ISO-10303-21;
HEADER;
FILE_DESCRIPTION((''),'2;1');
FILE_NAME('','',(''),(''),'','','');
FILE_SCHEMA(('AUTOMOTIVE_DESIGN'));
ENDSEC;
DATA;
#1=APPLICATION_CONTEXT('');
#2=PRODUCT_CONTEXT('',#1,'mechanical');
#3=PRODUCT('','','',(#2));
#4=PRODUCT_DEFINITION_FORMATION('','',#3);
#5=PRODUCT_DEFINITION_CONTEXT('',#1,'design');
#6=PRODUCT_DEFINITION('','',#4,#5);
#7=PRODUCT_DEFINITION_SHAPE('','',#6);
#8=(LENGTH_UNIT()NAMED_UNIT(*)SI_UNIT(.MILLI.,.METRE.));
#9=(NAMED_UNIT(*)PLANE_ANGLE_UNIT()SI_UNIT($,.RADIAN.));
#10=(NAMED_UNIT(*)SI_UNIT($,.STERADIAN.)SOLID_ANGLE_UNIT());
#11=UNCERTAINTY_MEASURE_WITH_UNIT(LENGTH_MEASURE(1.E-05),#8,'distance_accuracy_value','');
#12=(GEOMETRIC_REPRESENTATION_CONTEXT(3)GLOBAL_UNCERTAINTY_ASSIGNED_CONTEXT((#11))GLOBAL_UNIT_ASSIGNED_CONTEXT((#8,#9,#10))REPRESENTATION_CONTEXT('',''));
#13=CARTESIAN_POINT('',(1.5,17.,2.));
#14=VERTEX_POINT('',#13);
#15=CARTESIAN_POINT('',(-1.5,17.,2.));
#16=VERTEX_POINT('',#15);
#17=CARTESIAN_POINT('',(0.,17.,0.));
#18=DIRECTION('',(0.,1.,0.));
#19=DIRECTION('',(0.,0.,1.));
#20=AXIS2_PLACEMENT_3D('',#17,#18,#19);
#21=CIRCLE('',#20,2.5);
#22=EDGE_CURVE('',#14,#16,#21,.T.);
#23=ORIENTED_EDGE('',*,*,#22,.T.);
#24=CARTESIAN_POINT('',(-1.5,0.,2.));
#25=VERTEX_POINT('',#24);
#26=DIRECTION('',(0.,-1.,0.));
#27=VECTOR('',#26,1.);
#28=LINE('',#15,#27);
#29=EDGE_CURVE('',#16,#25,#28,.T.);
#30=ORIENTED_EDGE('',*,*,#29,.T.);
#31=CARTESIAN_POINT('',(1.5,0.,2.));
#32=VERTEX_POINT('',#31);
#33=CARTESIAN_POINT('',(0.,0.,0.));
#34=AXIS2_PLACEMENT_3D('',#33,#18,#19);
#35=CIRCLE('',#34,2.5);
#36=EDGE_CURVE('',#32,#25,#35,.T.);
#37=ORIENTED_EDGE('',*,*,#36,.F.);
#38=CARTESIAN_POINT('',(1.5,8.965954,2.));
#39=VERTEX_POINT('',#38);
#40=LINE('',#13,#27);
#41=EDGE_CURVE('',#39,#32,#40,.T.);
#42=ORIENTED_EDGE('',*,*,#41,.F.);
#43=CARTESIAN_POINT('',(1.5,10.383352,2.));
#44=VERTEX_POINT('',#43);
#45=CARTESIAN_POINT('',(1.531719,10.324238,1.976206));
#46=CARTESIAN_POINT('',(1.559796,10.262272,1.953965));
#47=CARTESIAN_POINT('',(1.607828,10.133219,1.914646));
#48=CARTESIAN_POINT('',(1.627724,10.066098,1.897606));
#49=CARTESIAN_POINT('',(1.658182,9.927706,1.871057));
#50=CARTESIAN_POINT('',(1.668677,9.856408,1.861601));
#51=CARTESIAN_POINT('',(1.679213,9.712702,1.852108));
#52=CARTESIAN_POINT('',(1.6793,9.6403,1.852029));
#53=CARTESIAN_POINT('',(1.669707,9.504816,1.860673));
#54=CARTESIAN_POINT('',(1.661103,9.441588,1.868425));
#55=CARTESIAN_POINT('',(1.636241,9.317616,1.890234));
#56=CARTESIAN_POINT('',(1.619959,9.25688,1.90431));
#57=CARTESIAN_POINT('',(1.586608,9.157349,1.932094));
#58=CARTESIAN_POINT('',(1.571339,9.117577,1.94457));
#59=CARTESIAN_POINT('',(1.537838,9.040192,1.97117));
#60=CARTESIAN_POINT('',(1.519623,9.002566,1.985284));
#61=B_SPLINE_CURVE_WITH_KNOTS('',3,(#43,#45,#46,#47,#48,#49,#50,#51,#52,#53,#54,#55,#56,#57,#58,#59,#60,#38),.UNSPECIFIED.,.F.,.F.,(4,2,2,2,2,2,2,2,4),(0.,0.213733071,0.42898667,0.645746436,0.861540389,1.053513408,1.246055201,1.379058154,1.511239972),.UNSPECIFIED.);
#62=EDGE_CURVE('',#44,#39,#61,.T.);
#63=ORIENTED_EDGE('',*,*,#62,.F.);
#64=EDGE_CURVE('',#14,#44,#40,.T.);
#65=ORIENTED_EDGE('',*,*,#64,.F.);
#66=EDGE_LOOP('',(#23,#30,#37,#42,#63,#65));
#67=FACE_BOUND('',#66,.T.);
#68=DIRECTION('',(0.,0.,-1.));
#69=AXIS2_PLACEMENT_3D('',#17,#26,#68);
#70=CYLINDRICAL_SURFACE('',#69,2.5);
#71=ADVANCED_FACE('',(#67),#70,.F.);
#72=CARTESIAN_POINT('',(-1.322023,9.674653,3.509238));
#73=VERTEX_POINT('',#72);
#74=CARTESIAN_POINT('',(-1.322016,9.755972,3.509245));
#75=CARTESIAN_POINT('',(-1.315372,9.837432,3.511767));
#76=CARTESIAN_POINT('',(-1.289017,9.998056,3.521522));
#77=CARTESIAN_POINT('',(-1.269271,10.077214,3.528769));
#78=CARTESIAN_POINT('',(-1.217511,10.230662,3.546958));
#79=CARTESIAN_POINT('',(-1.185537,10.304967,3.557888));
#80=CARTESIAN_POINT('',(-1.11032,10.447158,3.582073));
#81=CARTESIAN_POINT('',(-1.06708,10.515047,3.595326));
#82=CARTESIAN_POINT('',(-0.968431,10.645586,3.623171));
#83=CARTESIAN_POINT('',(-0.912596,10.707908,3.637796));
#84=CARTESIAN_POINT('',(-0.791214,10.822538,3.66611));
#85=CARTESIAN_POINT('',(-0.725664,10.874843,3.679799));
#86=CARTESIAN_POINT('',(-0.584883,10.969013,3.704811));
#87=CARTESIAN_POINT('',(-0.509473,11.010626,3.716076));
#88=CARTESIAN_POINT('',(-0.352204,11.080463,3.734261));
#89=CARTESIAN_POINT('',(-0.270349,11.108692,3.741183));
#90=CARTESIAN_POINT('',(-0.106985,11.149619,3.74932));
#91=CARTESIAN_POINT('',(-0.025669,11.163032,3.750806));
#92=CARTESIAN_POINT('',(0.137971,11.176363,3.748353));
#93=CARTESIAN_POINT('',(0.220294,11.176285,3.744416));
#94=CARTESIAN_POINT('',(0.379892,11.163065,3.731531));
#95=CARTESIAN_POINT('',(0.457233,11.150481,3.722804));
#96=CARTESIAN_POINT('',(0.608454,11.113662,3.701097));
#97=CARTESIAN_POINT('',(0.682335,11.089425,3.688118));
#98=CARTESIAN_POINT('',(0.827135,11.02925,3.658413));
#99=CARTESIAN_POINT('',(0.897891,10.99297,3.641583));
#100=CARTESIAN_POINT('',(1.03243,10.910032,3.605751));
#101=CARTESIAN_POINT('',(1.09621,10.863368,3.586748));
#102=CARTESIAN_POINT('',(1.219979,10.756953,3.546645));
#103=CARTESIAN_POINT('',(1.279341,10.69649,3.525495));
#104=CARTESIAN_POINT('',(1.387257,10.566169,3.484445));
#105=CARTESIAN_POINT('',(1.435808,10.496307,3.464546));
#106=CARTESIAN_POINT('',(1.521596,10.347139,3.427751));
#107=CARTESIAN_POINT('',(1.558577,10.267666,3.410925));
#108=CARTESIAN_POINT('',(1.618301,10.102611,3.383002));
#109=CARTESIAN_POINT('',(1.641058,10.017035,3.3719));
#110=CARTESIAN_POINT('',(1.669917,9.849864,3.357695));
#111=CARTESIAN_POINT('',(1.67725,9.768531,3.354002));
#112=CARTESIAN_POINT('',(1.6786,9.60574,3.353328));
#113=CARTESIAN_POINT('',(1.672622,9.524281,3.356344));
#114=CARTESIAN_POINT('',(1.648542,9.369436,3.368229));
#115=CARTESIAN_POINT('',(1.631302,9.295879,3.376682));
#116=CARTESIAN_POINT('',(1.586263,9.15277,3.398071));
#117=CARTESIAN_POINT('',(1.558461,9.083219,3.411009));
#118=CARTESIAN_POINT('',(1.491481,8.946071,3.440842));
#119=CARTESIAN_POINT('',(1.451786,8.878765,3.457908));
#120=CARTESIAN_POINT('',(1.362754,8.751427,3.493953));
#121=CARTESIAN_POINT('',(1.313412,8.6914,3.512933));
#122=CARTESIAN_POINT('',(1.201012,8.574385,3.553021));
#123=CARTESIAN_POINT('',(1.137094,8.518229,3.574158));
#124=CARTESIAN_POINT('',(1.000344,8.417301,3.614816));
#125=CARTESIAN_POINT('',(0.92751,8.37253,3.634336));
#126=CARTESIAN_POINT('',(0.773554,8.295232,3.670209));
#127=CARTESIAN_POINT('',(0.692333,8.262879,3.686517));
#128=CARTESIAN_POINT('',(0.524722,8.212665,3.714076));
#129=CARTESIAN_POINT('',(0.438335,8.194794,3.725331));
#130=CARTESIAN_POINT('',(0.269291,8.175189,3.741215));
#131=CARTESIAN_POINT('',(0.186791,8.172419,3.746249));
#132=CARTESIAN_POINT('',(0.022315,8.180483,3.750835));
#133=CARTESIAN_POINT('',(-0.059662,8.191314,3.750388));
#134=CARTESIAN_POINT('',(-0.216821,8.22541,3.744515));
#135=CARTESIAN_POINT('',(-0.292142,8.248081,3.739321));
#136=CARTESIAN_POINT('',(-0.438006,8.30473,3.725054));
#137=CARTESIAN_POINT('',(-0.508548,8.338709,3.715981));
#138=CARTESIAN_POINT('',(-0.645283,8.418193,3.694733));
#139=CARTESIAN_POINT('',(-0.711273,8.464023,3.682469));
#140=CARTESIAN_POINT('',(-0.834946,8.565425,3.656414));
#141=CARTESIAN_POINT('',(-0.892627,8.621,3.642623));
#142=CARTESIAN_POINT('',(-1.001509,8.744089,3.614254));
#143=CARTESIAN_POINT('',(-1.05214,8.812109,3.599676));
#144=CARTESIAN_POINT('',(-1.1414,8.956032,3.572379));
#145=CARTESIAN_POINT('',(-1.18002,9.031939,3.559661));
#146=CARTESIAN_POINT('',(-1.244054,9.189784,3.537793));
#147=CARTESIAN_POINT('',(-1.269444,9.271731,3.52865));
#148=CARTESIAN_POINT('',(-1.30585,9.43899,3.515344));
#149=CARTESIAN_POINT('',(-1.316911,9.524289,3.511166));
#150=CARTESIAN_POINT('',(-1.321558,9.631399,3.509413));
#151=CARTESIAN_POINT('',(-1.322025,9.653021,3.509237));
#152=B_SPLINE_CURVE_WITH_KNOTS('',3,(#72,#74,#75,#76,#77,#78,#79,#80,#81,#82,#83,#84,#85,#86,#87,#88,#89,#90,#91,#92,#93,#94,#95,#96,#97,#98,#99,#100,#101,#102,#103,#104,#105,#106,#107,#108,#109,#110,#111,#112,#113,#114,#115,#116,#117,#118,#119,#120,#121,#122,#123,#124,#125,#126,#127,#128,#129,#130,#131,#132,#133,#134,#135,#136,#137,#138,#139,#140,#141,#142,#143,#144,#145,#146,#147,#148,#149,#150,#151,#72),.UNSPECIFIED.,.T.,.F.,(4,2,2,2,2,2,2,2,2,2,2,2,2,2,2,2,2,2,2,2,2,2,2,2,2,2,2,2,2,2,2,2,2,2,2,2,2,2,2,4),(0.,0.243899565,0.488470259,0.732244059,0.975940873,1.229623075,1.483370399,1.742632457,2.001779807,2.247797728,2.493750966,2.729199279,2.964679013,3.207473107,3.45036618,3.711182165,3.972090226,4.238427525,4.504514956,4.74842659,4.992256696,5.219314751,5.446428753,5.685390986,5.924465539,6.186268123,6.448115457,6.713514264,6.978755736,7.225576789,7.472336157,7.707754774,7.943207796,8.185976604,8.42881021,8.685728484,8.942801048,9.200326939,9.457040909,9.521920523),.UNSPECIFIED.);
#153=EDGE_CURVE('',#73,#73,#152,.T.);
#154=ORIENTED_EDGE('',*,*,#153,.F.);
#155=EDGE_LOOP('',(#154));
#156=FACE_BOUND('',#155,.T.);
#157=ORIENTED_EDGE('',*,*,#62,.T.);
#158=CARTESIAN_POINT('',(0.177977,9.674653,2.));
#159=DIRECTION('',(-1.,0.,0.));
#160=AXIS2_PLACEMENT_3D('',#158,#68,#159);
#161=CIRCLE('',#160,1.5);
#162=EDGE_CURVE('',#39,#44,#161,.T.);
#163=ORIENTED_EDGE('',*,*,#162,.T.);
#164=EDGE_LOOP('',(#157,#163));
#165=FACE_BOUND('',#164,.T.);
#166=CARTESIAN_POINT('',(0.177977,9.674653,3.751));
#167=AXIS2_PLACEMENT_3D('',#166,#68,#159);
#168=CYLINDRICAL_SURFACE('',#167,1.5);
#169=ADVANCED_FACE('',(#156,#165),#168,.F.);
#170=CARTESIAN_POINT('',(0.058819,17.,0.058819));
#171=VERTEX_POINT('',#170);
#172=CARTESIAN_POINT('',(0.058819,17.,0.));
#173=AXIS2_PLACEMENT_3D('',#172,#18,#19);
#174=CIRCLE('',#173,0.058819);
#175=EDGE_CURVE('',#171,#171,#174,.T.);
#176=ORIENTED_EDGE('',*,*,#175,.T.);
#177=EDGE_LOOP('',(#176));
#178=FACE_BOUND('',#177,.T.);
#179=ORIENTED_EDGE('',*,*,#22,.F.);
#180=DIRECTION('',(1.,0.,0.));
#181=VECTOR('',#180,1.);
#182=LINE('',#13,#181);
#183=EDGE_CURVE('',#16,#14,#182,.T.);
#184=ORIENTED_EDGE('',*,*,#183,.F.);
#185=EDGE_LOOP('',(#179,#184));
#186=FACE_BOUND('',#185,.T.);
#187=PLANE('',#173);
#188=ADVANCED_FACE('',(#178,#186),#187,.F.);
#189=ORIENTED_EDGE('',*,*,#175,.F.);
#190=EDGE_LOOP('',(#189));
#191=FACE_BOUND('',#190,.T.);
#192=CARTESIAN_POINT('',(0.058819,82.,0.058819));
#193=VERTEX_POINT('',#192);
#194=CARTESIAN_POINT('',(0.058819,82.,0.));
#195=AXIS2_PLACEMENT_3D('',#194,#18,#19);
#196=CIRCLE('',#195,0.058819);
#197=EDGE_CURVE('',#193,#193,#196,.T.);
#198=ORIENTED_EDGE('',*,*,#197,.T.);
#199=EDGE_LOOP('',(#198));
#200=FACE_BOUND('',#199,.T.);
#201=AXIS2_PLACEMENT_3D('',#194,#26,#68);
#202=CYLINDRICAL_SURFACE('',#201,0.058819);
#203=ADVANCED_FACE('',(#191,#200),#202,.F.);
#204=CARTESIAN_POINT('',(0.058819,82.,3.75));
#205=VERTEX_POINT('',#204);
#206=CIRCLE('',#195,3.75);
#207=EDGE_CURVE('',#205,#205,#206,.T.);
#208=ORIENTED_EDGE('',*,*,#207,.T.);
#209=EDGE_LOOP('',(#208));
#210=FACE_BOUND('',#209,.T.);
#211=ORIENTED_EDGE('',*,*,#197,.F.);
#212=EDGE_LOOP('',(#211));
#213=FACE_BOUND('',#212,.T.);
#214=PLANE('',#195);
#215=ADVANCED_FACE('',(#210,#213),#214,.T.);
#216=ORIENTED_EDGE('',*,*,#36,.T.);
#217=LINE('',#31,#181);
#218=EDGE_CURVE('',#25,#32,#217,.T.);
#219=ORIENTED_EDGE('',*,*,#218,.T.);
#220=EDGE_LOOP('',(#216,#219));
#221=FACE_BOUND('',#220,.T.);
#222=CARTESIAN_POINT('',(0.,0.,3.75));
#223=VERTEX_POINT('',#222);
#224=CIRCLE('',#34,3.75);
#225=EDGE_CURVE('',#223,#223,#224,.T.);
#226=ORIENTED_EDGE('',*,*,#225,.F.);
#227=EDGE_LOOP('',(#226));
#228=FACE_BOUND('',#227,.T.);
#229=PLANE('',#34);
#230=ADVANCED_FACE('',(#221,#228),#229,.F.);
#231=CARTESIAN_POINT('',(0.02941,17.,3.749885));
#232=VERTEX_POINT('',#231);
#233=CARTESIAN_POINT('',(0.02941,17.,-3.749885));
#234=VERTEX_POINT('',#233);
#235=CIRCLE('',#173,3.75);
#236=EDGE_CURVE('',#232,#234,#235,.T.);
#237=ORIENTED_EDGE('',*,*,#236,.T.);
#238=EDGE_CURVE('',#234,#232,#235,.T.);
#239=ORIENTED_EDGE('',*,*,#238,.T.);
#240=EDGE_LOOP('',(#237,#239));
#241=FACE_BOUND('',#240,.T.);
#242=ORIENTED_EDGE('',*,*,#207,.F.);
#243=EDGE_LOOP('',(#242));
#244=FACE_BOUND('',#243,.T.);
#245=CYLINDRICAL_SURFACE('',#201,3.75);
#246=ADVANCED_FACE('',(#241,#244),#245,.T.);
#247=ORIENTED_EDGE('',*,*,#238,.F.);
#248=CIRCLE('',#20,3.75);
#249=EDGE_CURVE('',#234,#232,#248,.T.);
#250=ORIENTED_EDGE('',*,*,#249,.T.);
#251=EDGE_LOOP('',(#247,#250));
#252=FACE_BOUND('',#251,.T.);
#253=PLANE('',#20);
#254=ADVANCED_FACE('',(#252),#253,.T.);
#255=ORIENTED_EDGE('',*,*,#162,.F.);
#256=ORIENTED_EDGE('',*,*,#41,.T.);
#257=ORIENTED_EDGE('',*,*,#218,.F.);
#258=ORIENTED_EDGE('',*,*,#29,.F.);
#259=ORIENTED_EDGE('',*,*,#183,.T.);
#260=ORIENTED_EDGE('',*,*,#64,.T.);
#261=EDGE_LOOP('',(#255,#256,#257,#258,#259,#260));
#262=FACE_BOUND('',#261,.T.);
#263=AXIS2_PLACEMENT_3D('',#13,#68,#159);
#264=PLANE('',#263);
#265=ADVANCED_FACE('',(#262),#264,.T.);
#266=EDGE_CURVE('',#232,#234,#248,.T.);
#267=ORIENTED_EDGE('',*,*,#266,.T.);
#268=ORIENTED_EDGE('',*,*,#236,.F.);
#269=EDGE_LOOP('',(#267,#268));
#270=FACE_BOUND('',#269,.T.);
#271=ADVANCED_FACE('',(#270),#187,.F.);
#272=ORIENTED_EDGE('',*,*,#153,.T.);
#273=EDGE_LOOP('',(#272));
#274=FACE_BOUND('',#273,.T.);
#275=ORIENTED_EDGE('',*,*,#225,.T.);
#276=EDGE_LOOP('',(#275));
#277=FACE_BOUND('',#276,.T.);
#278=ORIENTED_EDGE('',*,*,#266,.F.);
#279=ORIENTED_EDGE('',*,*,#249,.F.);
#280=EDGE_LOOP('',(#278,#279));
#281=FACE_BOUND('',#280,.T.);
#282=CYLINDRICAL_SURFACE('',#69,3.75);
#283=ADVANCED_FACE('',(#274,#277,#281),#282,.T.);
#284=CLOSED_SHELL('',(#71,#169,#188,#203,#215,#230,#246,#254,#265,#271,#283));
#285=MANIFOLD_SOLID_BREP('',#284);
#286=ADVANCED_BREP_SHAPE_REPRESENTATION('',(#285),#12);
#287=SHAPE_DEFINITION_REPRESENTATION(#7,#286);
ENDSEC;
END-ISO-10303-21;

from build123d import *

# Parameters (mm, degrees)
SKETCH1_R               = 3.75
BOSS_EXTRUDE1_DEPTH     = 17
SKETCH2_R               = 3.75
SKETCH2_R_2             = 0.058819456
BOSS_EXTRUDE2_DEPTH     = 65
CUT_EXTRUDE1_REACH      = 84.174
CUT_EXTRUDE1_END_RADIUS = 3.75
SKETCH3_R               = 1.5


with BuildPart() as part:
    # Sketch1 → Boss-Extrude1 (new body)
    with BuildSketch(Plane(origin=(0, 0, 0), x_dir=(1, 0, 0), z_dir=(0, 1, 0))):
        with Locations(Location((0, 0, 0), (0, 0, 270))):
            Circle(SKETCH1_R)
        with BuildLine():
            Line((1.5, -2), (-1.5, -2))
            ThreePointArc((-1.5, -2), (0, 2.5), (1.5, -2))
        make_face(mode=Mode.SUBTRACT)
    extrude(amount=BOSS_EXTRUDE1_DEPTH)

    # Sketch2 → Boss-Extrude2 (add)
    with BuildSketch(Plane(origin=(0, 17, 0), x_dir=(1, 0, 0), z_dir=(0, 1, 0))):
        with Locations(Location((0.058819456, 0, 0), (0, 0, 90.449352147))):
            Circle(SKETCH2_R)
        with Locations(Location((0.058819456, 0, 0), (0, 0, 270))):
            Circle(SKETCH2_R_2, mode=Mode.SUBTRACT)
    extrude(amount=BOSS_EXTRUDE2_DEPTH)

    # Cut-Extrude1: up to this cylinder (the profile starts inside it)
    cut_extrude1_end = Plane(origin=(0, 9.674653, 0), z_dir=(0, -1, 0)) * Cylinder(CUT_EXTRUDE1_END_RADIUS, 176.848, mode=Mode.PRIVATE)
    # Sketch3 → Cut-Extrude1 (cut, up to the surface)
    with BuildSketch(Plane.XY, mode=Mode.PRIVATE) as cut_extrude1_sk1:
        with Locations(Location((0.177976735, 9.674652852, 0), (0, 0, 180))):
            Circle(SKETCH3_R)
    cut_extrude1_tool1 = extrude(cut_extrude1_sk1.sketch, amount=CUT_EXTRUDE1_REACH, mode=Mode.PRIVATE) & cut_extrude1_end
    add(cut_extrude1_tool1.solids().sort_by_distance((0.177977, 9.674653, 0))[0], mode=Mode.SUBTRACT)


solid = part.part
